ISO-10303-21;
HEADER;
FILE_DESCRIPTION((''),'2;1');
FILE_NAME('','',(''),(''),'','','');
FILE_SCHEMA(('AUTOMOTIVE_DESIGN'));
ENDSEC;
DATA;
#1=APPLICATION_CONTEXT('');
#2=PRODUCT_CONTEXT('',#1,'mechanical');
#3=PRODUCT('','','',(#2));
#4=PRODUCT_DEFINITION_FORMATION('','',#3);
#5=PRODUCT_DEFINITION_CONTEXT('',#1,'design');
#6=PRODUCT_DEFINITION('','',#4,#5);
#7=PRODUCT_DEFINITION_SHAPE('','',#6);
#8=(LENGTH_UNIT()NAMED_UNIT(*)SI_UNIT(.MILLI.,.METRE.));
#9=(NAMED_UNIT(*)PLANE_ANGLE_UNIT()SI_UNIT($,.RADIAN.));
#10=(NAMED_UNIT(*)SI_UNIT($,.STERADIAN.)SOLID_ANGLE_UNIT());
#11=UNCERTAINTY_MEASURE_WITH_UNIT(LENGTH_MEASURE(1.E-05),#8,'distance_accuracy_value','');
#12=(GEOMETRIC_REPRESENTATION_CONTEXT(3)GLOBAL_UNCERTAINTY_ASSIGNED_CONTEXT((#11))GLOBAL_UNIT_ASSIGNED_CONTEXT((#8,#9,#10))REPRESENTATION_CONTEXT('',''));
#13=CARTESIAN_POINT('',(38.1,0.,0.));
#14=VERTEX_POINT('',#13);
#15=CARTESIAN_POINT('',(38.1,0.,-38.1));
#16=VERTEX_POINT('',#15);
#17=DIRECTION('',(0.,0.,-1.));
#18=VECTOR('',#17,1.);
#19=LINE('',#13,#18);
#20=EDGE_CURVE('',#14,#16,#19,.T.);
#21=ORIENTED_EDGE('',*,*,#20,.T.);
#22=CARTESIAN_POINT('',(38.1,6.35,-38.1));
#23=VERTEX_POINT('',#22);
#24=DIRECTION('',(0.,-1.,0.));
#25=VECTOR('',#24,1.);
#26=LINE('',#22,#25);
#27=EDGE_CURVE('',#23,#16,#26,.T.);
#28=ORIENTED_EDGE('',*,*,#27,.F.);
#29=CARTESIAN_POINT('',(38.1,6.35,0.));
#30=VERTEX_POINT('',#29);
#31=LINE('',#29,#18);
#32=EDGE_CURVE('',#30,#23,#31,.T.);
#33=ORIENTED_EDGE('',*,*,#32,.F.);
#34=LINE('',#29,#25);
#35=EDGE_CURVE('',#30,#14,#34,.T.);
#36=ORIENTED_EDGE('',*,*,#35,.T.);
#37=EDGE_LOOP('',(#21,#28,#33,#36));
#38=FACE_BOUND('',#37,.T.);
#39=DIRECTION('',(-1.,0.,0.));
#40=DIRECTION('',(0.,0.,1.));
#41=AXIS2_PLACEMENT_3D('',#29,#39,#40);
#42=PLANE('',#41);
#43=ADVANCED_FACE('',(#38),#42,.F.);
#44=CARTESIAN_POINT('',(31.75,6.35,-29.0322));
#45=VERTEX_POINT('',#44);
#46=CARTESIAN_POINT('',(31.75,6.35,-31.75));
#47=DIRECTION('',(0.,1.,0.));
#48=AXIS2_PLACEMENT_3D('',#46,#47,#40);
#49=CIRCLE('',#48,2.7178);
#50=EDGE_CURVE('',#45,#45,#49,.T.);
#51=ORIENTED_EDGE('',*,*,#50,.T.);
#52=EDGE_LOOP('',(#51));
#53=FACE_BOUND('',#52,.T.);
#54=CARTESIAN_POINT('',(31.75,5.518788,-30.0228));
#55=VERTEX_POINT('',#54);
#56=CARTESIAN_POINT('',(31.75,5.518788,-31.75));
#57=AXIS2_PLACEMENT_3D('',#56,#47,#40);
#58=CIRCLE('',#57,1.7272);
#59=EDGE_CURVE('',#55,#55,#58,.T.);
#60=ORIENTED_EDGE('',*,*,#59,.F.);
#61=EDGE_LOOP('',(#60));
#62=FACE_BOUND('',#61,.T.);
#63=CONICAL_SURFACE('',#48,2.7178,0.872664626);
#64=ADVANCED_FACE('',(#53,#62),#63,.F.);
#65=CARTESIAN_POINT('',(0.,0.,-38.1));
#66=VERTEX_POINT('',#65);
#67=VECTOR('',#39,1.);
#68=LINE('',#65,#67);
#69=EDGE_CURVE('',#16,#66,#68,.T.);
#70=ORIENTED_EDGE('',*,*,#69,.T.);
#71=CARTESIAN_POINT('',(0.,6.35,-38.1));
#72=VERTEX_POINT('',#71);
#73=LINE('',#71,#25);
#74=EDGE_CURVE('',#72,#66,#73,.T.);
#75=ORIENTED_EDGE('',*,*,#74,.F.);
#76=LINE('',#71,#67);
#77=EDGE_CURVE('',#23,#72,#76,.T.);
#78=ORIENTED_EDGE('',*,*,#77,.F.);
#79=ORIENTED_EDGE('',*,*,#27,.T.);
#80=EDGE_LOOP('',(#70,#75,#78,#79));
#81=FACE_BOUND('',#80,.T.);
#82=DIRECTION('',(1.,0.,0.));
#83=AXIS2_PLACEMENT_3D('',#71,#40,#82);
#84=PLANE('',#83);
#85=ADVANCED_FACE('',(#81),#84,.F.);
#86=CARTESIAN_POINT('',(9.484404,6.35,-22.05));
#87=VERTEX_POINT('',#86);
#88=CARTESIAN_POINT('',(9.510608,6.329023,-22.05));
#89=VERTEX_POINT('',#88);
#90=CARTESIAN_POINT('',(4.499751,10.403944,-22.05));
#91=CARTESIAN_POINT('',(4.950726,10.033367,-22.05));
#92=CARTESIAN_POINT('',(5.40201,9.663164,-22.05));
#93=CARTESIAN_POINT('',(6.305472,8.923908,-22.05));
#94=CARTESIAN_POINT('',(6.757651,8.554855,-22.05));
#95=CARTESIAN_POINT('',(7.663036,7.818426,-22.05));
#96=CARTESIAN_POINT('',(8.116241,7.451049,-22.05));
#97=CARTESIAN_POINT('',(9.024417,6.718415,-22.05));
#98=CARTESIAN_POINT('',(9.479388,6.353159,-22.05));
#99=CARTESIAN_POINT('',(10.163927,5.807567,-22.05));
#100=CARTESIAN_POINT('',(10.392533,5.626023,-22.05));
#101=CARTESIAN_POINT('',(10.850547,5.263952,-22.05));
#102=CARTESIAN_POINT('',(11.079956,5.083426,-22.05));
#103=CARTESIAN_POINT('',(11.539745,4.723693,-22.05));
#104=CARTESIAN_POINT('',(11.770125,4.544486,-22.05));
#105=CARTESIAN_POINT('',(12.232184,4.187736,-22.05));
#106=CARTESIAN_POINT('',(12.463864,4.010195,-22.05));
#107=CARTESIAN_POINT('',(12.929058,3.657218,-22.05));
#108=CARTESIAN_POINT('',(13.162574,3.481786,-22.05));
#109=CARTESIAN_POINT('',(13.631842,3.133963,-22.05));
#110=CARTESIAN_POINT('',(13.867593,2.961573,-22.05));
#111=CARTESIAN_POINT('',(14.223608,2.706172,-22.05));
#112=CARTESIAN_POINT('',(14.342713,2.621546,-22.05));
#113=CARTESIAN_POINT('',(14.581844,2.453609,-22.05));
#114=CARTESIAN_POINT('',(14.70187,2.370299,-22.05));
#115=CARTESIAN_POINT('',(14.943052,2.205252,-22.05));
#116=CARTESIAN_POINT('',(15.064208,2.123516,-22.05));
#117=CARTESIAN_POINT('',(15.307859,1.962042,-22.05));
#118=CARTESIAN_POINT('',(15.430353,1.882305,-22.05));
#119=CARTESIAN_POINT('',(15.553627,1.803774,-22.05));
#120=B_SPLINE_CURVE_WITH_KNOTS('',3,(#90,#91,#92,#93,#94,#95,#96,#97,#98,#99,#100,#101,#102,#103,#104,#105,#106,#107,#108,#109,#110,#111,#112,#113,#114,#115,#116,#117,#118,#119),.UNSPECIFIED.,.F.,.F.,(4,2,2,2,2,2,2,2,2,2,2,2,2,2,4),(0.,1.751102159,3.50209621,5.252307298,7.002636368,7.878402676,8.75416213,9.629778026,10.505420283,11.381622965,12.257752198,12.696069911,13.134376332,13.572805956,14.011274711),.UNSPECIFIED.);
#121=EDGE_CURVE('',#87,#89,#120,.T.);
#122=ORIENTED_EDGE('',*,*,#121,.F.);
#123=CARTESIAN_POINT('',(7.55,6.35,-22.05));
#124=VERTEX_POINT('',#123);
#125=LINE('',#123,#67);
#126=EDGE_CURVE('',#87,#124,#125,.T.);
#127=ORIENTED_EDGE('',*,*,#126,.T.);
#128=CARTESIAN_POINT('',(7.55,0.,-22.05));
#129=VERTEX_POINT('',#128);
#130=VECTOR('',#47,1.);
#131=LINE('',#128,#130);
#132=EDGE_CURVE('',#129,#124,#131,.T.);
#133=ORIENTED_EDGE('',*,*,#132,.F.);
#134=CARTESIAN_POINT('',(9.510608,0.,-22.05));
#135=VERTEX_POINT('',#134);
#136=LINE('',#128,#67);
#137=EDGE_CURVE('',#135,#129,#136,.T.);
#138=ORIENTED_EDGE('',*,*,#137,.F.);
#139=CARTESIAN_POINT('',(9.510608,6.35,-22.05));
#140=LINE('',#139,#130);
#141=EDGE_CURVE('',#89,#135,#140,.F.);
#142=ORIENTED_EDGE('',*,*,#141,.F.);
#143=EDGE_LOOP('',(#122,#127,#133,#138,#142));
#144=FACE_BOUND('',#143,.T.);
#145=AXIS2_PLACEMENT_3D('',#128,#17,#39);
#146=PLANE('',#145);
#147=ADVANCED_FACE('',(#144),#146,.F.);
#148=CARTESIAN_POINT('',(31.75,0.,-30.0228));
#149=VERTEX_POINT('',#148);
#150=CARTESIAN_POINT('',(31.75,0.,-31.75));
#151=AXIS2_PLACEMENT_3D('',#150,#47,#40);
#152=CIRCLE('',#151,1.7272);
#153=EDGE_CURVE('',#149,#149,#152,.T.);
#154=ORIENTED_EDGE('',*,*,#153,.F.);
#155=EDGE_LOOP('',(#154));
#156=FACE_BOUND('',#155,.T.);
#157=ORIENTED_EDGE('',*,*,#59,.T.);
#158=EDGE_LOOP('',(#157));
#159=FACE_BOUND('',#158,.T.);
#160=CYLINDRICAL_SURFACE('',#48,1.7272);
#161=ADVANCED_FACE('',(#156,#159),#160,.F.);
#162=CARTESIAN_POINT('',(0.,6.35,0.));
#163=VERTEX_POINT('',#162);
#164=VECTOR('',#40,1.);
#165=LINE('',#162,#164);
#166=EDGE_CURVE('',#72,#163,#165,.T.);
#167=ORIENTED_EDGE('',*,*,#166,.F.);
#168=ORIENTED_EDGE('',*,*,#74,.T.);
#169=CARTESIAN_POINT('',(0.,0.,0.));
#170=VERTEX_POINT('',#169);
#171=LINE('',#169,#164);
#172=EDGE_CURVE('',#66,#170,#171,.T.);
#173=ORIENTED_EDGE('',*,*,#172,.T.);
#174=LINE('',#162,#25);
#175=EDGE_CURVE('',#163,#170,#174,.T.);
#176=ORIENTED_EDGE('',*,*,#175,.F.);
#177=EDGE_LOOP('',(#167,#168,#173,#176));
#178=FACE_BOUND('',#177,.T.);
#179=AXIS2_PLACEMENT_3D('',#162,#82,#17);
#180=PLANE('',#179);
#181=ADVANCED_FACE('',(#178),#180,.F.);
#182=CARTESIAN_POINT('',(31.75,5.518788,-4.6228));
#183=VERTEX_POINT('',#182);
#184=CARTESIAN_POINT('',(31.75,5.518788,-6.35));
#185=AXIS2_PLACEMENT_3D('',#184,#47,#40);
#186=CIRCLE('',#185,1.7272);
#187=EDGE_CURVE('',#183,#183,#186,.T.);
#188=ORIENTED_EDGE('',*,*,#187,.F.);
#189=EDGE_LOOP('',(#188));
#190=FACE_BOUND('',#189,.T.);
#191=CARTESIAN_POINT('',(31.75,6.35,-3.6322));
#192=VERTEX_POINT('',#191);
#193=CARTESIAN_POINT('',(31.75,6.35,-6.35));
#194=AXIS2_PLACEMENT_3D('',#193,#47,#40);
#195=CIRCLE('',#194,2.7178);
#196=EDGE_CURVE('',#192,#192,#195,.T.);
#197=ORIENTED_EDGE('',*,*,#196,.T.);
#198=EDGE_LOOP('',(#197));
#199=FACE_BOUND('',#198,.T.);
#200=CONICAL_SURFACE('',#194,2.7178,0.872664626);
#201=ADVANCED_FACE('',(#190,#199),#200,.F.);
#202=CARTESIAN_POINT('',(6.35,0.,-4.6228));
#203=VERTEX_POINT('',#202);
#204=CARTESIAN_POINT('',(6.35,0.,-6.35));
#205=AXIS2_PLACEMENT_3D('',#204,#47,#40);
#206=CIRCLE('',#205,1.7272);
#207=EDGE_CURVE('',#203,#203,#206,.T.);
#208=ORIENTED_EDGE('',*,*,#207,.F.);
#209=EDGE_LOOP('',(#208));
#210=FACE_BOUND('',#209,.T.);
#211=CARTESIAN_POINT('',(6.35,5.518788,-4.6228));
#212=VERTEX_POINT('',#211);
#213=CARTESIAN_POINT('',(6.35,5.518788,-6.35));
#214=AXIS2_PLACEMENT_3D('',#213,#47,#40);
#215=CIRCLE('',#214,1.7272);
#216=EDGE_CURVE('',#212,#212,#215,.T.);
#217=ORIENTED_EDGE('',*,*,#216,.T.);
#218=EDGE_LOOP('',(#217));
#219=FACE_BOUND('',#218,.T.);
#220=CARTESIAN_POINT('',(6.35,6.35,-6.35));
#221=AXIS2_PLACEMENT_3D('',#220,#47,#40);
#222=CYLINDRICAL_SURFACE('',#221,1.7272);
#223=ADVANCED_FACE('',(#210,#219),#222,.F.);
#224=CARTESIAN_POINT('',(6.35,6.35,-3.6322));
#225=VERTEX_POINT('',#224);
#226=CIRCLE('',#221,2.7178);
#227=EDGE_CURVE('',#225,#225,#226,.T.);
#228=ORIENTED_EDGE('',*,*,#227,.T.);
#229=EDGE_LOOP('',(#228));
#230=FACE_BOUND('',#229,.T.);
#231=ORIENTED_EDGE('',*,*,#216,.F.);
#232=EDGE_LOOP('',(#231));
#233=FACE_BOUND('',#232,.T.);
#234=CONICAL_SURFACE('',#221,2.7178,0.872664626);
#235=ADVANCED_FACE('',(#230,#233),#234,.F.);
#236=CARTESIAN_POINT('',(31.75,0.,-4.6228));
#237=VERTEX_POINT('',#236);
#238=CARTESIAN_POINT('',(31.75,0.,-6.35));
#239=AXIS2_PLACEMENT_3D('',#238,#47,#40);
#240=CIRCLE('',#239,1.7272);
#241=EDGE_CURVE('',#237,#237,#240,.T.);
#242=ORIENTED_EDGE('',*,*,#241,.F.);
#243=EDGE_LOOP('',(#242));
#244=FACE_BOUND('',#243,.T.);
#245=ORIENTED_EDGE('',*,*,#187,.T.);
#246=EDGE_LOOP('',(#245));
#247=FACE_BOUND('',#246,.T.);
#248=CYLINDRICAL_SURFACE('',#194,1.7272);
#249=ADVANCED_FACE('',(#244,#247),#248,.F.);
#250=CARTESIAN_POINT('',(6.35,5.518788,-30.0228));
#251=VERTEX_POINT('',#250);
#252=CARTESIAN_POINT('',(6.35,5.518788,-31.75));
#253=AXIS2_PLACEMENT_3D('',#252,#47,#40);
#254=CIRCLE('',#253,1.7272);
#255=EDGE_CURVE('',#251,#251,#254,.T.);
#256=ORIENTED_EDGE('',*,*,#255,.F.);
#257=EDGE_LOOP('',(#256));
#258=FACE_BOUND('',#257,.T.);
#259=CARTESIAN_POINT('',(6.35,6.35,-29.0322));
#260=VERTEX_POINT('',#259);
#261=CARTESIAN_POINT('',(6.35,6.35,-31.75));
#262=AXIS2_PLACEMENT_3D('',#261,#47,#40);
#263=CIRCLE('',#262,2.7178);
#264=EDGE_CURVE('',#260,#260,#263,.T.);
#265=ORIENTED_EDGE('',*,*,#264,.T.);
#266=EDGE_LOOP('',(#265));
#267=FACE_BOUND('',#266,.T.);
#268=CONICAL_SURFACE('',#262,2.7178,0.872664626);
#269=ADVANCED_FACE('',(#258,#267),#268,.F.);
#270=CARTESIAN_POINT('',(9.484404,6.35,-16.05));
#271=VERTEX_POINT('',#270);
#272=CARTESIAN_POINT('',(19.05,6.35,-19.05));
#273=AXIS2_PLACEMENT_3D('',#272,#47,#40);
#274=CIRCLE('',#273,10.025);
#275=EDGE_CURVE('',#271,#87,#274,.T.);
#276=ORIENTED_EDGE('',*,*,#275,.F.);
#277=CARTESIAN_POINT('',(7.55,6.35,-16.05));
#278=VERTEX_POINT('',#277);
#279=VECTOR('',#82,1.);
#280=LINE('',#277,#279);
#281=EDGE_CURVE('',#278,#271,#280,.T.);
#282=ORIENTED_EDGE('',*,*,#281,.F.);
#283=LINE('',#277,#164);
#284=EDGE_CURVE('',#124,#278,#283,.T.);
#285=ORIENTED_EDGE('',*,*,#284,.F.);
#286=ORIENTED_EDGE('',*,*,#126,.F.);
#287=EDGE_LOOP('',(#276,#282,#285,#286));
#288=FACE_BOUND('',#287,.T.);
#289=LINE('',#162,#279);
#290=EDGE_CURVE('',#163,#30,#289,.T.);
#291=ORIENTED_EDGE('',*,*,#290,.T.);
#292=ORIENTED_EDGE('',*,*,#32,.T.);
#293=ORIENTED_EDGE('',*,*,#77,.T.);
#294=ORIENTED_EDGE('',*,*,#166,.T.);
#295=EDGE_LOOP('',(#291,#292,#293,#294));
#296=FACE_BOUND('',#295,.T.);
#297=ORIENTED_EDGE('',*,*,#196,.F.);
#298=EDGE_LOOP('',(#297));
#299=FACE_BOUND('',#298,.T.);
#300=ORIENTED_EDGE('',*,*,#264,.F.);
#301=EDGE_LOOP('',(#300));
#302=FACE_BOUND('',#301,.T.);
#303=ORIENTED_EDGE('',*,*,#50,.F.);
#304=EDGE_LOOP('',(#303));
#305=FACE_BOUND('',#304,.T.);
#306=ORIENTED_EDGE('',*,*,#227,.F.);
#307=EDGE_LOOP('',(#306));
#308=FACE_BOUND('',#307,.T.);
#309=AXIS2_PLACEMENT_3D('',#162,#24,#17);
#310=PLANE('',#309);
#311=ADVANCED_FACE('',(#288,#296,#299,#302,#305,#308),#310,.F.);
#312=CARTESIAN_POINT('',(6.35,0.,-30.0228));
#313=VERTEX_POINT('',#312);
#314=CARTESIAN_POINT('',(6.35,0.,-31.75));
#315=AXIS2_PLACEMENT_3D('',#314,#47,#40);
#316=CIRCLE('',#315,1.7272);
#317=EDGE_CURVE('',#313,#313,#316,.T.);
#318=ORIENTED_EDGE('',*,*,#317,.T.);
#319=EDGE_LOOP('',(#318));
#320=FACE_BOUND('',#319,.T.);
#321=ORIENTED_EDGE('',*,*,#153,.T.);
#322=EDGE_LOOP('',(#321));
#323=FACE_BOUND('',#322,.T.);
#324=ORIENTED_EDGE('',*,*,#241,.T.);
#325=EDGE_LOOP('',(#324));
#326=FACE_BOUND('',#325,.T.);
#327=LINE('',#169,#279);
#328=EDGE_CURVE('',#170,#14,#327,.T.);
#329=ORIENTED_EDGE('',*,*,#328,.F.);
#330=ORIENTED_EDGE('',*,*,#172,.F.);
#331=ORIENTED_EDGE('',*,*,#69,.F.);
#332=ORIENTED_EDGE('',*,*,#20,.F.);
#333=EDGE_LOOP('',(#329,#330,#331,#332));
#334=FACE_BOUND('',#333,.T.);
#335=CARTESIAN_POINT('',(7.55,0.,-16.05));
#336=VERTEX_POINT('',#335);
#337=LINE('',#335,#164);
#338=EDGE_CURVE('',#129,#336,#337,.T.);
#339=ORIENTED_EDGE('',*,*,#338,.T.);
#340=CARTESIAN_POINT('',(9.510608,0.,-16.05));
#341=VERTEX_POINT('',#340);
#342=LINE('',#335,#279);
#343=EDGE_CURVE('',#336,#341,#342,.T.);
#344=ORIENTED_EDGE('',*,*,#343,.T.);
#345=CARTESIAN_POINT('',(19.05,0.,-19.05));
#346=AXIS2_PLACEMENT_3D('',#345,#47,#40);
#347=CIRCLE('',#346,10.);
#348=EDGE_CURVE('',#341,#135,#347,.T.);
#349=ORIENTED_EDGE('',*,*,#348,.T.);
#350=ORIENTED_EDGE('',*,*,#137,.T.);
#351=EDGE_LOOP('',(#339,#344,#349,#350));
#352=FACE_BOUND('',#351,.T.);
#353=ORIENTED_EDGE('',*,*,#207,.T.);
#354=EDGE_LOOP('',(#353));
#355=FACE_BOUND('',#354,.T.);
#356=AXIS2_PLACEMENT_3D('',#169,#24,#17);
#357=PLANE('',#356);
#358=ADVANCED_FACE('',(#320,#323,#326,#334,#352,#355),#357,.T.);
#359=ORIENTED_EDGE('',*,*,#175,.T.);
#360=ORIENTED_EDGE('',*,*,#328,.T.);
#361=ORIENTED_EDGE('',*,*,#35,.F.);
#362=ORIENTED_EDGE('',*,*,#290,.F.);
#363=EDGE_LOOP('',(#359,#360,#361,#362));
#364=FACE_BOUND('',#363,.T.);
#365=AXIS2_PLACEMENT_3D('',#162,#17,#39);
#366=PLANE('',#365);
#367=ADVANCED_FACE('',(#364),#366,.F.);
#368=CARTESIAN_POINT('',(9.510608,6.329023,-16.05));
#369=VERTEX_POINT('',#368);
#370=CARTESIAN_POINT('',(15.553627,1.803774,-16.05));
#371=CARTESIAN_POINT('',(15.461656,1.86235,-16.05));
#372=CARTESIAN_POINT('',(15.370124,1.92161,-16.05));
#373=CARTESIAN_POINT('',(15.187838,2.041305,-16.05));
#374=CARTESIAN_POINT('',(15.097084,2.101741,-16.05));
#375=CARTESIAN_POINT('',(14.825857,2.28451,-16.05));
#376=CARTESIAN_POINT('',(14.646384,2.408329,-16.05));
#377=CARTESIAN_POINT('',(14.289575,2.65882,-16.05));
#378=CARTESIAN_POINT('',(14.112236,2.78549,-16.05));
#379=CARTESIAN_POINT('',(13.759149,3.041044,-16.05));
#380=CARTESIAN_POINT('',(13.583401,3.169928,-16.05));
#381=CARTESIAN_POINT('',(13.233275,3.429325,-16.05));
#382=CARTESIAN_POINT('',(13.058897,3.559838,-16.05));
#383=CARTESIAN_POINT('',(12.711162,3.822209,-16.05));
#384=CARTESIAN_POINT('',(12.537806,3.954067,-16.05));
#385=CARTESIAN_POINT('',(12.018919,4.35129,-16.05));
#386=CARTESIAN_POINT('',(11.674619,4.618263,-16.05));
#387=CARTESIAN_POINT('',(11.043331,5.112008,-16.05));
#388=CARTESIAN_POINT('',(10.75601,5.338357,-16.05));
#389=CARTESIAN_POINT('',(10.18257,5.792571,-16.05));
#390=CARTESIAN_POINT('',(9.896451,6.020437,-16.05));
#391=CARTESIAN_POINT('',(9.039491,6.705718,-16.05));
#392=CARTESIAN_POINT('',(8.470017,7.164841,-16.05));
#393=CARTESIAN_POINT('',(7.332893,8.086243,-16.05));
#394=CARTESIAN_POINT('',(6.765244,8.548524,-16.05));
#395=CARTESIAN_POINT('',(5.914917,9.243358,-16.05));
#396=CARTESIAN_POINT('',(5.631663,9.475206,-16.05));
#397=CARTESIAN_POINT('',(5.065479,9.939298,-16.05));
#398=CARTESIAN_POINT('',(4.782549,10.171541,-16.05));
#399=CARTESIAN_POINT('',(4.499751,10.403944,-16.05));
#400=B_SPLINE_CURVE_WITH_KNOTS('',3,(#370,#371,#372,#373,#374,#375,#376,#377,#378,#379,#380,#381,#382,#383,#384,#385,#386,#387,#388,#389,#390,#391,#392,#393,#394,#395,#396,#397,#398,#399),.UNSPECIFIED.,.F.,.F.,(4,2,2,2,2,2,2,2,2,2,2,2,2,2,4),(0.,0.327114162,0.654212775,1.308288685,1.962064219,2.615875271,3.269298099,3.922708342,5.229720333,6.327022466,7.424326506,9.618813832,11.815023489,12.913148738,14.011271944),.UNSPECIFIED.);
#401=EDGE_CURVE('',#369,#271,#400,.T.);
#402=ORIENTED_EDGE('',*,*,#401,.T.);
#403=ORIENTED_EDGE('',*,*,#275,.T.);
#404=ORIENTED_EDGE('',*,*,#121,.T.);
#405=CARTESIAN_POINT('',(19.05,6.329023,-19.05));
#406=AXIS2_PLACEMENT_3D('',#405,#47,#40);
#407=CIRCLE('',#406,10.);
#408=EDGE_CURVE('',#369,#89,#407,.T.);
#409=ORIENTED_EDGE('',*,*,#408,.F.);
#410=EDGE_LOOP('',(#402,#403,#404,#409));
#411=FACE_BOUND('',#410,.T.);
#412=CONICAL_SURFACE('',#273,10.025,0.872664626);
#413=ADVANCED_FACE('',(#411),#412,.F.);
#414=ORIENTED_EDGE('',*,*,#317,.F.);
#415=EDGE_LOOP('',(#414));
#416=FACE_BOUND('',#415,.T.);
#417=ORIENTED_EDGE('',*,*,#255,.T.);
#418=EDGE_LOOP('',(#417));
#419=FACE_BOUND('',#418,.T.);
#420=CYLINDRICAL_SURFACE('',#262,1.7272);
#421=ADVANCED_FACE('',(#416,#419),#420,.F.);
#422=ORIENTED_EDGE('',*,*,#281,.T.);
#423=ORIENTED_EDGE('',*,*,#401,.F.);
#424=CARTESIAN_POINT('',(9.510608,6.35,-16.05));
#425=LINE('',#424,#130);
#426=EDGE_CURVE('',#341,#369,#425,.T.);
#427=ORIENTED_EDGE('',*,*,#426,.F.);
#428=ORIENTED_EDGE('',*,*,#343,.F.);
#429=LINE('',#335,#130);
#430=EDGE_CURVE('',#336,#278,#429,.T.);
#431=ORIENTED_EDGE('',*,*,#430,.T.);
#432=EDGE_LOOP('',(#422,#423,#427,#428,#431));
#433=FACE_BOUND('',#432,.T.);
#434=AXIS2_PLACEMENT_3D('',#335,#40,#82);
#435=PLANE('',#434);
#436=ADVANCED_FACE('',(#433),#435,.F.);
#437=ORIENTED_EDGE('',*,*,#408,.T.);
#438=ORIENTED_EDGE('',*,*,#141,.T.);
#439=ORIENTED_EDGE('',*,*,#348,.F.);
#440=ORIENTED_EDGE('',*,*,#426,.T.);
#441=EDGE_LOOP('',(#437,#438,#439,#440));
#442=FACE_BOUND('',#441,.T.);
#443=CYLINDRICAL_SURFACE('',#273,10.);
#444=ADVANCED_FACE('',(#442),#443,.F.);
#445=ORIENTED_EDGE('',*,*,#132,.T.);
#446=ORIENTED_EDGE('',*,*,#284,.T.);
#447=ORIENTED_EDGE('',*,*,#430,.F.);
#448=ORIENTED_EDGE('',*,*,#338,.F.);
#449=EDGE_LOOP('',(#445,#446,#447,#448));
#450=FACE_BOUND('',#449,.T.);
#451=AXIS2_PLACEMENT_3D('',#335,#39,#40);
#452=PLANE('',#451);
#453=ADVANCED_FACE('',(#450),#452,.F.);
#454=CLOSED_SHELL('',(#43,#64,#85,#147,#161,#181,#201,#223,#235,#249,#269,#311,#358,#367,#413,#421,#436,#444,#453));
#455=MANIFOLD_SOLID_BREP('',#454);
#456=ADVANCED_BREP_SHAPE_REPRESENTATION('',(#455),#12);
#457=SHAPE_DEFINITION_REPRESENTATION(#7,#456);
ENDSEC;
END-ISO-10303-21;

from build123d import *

# Parameters (mm, degrees)
SKETCH1_W                       = 38.1
SKETCH1_H                       = 38.1
BOSS_EXTRUDE1_DEPTH             = 6.35
F_8_32_TAPPED_HOLE1_D           = 3.4544
F_8_32_TAPPED_HOLE1_CSINK_D     = 5.4356
F_8_32_TAPPED_HOLE1_CSINK_ANGLE = 100
SKETCH6_W                       = 6
SKETCH6_H                       = 6
CUT_EXTRUDE1_DEPTH              = 55.254423783


with BuildPart() as part:
    # Sketch1 → Boss-Extrude1 (new body)
    with BuildSketch(Plane(origin=(0, 0, 0), x_dir=(1, 0, 0), z_dir=(0, 1, 0))):
        with Locations((19.05, 19.05)):
            Rectangle(SKETCH1_W, SKETCH1_H)
    extrude(amount=BOSS_EXTRUDE1_DEPTH)

    # #8-32 Tapped Hole1 (through all)
    with Locations(Plane(origin=(0, 6.35, 0), x_dir=(1, 0, 0), z_dir=(0, 1, 0))):
        with Locations((31.75, 31.75), (6.35, 31.75), (6.35, 6.35), (31.75, 6.35)):
            CounterSinkHole(F_8_32_TAPPED_HOLE1_D / 2, F_8_32_TAPPED_HOLE1_CSINK_D / 2, counter_sink_angle=F_8_32_TAPPED_HOLE1_CSINK_ANGLE)

    # Sketch5 → M18 Clearance Hole1 (revolve, cut)
    with BuildSketch(Plane(origin=(19.05, 6.35, -19.05), x_dir=(0, 0, 1), z_dir=(1, 0, 0))):
        Polygon((0, 0), (0, 6.35), (10, 6.35), (10, 0.020977491), (10.025, 0), align=None)
    revolve(axis=Axis((19.05, 12.7, -19.05), (0, -1, 0)), mode=Mode.SUBTRACT)

    # Sketch6 → Cut-Extrude1 (cut, through all)
    with BuildSketch(Plane(origin=(0, 6.35, 0), x_dir=(1, 0, 0), z_dir=(0, 1, 0))):
        with Locations((10.55, 19.05)):
            Rectangle(SKETCH6_W, SKETCH6_H)
    extrude(amount=-CUT_EXTRUDE1_DEPTH, mode=Mode.SUBTRACT)


solid = part.part
